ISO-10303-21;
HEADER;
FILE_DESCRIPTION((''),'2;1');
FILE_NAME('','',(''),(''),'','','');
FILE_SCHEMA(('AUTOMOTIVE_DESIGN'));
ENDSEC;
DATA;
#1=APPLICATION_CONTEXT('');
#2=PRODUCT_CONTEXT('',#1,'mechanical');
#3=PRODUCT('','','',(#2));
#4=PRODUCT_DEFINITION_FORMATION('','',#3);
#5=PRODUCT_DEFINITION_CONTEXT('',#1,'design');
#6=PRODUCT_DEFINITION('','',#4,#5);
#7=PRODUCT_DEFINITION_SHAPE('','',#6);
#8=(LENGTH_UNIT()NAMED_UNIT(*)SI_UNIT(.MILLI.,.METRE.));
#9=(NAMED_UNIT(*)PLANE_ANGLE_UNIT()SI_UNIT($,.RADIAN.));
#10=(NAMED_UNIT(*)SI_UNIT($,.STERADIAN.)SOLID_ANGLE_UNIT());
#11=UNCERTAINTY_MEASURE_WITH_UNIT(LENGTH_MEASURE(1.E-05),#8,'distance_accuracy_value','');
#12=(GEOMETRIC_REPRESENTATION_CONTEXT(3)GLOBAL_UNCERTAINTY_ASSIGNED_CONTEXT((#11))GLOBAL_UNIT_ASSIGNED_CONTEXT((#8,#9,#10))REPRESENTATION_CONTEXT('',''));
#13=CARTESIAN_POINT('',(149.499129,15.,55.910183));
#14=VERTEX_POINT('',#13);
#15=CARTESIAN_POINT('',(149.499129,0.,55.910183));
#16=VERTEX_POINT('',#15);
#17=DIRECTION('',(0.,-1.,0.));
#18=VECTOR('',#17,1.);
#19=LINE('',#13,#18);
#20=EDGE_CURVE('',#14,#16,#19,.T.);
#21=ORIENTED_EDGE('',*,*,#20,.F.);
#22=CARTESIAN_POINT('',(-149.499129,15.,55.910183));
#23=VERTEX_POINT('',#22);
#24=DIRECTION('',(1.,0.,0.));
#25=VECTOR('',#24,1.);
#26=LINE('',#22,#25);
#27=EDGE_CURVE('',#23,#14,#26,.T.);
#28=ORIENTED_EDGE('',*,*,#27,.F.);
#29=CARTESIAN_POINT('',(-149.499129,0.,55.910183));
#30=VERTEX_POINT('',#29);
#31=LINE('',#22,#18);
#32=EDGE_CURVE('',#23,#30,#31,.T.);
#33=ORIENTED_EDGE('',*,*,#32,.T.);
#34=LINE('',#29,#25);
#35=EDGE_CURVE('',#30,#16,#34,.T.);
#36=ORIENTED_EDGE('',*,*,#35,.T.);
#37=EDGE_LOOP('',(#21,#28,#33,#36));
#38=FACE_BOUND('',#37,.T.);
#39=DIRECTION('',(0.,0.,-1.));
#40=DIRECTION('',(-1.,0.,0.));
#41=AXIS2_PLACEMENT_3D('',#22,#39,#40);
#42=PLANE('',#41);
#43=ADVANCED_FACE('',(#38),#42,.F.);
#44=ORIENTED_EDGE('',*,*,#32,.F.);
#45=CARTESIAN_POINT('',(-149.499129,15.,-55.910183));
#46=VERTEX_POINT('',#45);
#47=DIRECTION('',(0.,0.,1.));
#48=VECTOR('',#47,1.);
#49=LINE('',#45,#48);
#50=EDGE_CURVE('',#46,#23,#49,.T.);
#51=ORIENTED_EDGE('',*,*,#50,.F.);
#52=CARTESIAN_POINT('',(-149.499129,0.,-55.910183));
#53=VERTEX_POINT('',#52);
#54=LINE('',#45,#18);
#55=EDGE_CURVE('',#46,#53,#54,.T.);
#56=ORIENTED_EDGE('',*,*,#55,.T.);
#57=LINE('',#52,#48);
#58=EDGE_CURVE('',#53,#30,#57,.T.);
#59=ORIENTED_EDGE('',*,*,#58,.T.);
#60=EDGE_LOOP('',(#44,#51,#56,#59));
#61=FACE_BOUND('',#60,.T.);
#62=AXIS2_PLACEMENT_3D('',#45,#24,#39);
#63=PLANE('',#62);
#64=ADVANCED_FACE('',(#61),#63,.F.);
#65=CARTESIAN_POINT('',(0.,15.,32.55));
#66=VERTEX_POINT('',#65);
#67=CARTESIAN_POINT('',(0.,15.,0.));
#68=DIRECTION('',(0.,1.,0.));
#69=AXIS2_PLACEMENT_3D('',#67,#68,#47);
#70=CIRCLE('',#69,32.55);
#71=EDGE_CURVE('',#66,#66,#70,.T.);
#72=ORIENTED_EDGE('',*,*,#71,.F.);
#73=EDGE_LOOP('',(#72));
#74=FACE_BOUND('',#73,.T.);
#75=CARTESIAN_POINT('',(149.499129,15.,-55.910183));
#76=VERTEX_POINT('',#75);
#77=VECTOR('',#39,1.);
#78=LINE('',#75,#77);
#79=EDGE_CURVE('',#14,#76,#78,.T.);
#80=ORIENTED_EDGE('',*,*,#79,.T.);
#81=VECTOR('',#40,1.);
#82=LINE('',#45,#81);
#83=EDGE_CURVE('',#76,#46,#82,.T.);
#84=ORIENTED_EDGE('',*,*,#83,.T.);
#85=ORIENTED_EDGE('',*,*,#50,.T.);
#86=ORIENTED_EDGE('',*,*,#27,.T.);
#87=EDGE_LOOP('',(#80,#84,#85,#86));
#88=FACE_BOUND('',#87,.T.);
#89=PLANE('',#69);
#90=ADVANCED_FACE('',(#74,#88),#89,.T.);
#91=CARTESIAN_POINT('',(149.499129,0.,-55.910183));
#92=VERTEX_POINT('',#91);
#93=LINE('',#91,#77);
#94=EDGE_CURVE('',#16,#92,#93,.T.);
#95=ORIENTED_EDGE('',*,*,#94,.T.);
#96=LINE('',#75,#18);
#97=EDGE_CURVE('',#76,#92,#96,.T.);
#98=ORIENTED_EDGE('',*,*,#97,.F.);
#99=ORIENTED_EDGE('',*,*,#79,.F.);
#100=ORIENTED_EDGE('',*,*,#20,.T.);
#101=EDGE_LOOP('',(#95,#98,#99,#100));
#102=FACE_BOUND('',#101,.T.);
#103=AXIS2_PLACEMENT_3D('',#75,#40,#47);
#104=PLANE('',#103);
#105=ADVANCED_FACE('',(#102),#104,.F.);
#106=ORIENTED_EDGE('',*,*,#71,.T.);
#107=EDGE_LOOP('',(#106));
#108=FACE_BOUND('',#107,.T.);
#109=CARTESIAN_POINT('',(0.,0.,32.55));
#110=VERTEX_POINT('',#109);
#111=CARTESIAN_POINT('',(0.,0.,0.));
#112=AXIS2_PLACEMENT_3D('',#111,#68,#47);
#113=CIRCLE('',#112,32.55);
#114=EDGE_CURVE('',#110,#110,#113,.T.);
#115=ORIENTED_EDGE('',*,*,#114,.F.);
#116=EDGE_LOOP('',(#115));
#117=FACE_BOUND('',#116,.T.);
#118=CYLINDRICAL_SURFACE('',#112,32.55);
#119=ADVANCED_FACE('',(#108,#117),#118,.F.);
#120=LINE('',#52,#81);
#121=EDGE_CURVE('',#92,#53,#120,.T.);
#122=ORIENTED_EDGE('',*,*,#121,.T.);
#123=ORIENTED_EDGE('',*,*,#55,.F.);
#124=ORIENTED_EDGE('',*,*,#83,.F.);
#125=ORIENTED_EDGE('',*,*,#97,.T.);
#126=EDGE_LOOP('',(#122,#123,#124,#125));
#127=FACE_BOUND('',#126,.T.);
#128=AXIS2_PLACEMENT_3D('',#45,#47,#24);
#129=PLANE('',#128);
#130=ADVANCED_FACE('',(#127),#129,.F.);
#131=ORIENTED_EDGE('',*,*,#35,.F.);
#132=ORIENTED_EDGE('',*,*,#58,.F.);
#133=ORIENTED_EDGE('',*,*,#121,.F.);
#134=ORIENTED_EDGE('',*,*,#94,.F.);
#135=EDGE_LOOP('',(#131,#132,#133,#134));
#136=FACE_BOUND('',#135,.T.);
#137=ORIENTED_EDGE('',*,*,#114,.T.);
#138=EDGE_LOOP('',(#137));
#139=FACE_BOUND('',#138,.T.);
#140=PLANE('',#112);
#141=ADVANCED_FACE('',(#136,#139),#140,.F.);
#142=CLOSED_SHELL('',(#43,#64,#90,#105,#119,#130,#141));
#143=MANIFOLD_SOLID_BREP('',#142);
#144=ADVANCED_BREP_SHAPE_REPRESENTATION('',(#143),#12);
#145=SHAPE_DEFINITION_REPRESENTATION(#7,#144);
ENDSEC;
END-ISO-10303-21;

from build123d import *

# Parameters (mm, degrees)
SKETCH3_W           = 298.9982585
SKETCH3_H           = 111.820365486
BOSS_EXTRUDE2_DEPTH = 15
SKETCH4_R           = 32.55
CUT_EXTRUDE1_DEPTH  = 15


with BuildPart() as part:
    # Sketch3 → Boss-Extrude2 (new body)
    with BuildSketch(Plane(origin=(0, 0, 0), x_dir=(1, 0, 0), z_dir=(0, 1, 0))):
        Rectangle(SKETCH3_W, SKETCH3_H)
    extrude(amount=BOSS_EXTRUDE2_DEPTH)

    # Sketch4 → Cut-Extrude1 (cut)
    with BuildSketch(Plane(origin=(0, 15, 0), x_dir=(1, 0, 0), z_dir=(0, 1, 0))):
        with Locations(Location((0, 0, 0), (0, 0, 270))):
            Circle(SKETCH4_R)
    extrude(amount=-CUT_EXTRUDE1_DEPTH, mode=Mode.SUBTRACT)


solid = part.part
